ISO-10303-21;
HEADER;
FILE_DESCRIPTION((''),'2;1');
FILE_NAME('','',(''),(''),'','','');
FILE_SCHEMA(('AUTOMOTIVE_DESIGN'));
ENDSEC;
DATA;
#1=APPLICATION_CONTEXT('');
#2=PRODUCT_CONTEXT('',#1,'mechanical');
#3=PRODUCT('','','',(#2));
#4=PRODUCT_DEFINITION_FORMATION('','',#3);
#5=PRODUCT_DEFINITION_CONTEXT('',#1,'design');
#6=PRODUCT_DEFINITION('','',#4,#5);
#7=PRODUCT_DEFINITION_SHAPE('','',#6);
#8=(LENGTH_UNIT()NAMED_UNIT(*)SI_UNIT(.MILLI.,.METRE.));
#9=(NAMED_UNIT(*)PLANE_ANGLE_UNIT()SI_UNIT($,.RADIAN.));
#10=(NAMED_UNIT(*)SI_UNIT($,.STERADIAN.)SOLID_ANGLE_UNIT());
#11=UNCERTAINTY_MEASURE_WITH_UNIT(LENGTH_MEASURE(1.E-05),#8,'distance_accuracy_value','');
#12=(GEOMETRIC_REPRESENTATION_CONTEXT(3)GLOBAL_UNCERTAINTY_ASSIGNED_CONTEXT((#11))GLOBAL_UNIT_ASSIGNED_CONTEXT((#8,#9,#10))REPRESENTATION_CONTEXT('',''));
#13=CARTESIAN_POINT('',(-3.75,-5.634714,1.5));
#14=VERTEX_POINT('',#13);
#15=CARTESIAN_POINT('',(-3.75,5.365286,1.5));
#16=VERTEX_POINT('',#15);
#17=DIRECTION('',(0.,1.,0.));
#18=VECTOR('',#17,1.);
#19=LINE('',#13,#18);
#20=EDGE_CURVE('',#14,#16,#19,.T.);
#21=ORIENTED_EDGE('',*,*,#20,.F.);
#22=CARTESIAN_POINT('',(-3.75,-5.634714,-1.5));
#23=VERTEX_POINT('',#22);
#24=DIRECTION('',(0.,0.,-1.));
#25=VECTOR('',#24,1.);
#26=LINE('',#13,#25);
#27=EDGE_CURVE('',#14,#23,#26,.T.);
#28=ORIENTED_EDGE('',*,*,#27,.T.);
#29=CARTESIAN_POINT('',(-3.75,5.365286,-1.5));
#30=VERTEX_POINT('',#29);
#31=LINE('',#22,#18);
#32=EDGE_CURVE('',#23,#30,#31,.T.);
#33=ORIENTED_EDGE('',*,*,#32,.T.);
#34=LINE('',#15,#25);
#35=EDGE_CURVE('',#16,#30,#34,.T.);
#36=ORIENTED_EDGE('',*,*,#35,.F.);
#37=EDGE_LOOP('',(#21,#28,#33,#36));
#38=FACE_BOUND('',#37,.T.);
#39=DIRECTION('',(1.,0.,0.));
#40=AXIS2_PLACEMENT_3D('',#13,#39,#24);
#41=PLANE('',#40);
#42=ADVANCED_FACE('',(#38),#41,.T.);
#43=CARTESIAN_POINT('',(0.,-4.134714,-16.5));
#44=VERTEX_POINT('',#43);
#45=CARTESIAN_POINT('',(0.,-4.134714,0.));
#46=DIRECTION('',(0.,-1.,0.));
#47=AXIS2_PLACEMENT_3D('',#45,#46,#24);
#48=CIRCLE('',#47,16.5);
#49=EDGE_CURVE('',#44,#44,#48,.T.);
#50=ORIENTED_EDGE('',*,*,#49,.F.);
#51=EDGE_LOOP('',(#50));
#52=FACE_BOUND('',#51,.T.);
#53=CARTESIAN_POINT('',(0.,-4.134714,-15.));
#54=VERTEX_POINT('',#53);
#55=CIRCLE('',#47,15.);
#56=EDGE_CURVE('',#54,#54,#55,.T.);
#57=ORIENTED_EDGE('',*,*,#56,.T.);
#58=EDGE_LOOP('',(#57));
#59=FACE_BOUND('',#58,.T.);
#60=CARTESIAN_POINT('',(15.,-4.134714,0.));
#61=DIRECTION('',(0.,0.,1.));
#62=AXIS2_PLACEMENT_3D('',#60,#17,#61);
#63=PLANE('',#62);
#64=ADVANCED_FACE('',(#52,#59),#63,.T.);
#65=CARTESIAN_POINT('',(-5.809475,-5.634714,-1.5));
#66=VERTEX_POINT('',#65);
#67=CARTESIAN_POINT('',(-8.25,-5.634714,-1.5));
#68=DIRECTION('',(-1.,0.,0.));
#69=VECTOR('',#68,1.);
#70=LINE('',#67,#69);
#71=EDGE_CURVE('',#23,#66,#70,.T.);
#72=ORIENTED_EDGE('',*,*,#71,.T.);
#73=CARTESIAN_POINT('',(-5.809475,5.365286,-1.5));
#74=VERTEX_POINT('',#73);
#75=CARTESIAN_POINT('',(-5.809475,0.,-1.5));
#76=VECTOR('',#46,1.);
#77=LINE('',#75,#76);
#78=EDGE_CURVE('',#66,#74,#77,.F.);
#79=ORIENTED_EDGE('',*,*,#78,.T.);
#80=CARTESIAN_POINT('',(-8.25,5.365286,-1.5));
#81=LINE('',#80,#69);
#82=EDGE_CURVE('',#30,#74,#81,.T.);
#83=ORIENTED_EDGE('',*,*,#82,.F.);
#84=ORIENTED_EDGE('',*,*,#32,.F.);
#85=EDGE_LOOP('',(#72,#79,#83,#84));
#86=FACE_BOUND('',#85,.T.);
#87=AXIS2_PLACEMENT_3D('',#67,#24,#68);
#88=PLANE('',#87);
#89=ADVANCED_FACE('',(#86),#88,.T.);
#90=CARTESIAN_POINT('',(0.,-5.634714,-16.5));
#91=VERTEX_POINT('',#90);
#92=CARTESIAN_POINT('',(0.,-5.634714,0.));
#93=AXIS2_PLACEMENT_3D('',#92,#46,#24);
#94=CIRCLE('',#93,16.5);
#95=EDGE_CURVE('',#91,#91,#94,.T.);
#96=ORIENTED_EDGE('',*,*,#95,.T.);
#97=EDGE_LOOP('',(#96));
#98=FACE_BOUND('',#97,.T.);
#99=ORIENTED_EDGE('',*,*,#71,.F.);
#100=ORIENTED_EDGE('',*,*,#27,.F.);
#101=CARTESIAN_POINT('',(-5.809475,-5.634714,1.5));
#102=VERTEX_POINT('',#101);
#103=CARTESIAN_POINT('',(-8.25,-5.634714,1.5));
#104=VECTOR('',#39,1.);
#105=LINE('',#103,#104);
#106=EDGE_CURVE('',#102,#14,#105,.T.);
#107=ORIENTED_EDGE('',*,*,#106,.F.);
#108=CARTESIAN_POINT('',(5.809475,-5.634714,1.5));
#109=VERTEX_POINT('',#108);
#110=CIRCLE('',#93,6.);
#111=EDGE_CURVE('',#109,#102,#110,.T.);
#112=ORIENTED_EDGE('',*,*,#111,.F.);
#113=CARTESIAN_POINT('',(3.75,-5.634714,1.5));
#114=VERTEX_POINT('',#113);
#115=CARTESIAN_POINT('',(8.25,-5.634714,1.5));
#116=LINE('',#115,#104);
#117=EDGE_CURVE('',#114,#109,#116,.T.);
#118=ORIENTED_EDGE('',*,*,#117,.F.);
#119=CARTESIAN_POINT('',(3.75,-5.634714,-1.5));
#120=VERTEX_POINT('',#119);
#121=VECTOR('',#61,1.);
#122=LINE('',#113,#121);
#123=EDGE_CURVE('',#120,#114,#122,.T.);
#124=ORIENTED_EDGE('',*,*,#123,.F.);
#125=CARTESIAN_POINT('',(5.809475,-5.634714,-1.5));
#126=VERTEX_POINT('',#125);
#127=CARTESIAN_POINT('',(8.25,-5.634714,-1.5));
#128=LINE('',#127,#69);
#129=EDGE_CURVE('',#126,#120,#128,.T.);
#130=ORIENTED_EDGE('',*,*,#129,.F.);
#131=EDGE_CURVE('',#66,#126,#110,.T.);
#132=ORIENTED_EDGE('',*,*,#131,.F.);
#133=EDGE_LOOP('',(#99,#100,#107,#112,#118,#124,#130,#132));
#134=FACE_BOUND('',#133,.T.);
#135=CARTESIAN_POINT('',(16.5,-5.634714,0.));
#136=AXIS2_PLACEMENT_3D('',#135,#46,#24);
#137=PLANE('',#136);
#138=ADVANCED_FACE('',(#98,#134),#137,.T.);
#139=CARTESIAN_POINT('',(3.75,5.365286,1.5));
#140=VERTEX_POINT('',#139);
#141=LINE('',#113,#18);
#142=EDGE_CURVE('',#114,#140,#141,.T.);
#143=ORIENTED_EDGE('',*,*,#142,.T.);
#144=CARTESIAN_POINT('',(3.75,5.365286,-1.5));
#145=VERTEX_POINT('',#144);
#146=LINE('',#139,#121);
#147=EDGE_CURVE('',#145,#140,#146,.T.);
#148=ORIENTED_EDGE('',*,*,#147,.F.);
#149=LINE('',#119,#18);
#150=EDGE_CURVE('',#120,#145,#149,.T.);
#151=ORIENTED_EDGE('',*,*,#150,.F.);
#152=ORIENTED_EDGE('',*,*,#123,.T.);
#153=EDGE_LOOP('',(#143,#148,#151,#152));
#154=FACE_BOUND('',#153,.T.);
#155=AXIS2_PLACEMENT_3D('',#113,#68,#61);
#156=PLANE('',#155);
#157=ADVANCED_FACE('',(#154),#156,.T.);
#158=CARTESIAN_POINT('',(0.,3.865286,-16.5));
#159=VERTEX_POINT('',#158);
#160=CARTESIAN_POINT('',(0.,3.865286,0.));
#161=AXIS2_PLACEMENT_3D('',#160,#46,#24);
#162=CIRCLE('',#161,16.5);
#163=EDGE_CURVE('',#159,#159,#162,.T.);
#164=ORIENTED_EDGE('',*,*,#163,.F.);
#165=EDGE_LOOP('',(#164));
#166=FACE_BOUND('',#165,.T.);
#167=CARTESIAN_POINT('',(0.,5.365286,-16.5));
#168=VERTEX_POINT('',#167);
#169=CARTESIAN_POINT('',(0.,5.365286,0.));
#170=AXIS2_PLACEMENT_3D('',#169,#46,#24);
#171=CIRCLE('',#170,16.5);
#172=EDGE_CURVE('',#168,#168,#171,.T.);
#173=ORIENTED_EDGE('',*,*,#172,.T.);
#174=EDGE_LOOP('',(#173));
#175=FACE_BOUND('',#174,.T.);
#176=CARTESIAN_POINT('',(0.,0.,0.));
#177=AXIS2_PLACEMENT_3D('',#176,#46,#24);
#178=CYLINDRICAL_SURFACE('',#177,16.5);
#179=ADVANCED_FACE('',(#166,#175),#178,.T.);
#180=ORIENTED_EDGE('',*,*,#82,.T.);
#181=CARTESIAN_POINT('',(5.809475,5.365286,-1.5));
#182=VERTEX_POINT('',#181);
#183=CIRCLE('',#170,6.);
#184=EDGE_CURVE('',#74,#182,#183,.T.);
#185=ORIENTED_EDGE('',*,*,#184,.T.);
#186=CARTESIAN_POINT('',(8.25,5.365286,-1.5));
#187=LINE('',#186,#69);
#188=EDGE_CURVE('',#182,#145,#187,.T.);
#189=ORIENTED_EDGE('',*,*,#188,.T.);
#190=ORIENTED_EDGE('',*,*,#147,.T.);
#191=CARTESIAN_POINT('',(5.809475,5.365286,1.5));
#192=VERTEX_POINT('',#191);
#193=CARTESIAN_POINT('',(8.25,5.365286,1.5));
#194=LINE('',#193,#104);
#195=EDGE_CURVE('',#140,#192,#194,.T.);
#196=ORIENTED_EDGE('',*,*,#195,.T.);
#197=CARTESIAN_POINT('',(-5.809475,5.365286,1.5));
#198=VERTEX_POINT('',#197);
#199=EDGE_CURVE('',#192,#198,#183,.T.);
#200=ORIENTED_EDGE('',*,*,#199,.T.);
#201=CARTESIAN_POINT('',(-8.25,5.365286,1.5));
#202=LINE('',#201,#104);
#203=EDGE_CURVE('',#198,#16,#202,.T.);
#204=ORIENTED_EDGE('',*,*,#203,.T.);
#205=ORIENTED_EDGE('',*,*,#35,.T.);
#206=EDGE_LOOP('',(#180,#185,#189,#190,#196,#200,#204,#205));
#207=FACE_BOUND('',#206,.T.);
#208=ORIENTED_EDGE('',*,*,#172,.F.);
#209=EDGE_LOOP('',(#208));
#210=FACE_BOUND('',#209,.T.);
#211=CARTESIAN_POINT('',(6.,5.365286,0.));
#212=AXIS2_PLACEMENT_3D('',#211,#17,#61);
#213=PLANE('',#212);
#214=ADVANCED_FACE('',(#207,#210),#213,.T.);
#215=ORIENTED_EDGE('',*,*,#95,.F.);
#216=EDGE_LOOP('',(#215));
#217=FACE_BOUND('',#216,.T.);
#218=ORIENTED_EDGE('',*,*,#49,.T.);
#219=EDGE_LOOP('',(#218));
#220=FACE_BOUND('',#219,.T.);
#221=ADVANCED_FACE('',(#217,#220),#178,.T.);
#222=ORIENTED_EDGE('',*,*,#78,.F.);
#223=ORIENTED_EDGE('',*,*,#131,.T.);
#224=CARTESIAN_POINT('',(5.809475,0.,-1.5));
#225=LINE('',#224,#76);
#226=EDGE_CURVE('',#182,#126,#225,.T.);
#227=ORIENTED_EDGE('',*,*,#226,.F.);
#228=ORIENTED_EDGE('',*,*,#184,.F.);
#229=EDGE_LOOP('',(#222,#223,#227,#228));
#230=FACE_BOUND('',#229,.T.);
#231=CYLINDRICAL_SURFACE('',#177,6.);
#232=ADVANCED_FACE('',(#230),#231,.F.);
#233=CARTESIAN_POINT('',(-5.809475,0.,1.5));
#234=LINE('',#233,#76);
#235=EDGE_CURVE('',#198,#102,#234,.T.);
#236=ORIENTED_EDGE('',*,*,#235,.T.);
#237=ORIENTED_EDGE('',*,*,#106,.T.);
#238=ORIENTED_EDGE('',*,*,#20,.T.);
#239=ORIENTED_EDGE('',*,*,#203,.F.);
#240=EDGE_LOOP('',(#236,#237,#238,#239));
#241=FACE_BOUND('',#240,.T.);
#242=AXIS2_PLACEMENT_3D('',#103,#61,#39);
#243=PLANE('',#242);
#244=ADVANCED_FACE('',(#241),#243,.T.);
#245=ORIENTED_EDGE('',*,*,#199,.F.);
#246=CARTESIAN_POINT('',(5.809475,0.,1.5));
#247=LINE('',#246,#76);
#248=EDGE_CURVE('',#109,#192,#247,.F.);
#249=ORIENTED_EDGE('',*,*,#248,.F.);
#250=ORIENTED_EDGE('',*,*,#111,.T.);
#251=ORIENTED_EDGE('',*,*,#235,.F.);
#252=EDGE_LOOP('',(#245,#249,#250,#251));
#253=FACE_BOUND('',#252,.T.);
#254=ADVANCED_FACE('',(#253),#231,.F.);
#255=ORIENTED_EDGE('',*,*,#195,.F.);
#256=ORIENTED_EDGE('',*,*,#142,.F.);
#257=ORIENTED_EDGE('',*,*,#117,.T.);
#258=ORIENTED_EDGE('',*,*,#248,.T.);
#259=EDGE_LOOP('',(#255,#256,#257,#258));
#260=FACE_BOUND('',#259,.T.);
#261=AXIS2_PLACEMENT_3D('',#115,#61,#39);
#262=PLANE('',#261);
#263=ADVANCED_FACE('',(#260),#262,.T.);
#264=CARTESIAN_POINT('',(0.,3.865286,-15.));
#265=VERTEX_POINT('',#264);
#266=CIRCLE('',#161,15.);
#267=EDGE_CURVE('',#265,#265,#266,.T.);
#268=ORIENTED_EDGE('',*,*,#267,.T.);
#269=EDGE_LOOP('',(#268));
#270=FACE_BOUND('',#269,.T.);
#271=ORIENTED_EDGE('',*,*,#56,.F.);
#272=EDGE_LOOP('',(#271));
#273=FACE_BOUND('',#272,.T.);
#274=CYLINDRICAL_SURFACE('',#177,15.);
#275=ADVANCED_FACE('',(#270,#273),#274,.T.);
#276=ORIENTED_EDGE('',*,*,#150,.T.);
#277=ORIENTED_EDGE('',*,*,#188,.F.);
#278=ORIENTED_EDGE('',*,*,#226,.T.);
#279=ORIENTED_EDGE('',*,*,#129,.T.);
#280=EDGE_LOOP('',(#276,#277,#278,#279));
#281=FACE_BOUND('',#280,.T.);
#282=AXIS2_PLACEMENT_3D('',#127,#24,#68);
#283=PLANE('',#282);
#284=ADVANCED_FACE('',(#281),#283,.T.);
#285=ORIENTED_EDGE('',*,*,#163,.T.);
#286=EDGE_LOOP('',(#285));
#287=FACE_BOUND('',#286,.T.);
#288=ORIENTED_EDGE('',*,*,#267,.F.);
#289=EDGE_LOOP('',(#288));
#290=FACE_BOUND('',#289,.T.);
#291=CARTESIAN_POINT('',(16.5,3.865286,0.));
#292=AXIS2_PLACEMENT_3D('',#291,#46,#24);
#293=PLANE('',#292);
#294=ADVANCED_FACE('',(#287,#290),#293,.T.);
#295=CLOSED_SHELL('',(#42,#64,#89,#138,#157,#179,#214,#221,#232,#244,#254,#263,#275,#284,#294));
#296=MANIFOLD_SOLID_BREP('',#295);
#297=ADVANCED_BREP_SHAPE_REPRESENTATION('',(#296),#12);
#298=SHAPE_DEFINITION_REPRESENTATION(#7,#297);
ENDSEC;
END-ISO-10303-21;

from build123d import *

# Parameters (mm, degrees)
ESQUISSE6_W        = 4.5
ESQUISSE6_H        = 3
BOSS_EXTRU_1_DEPTH = 11


with BuildPart() as part:
    # Esquisse2 → Révolution1 (revolve)
    with BuildSketch(Plane.XY, mode=Mode.PRIVATE) as r_volution1_sk:
        Polygon((6, 5.365286165), (6, -5.634713835), (16.5, -5.634713835), (16.5, -4.134713835), (15, -4.134713835), (15, 3.865286165), (16.5, 3.865286165), (16.5, 5.365286165), align=None)
    revolve(r_volution1_sk.sketch.rotate(Axis((0, 0, 0), (0, 1, 0)), 90), axis=Axis((0, 0, 0), (0, 1, 0)))

    # Esquisse6 → Boss.-Extru.1 (add)
    with BuildSketch(Plane(origin=(0, 5.365286165, 0), x_dir=(1, 0, 0), z_dir=(0, 1, 0))):
        with Locations((-6, 0)):
            Rectangle(ESQUISSE6_W, ESQUISSE6_H)
        with Locations((6, 0)):
            Rectangle(ESQUISSE6_W, ESQUISSE6_H)
    extrude(amount=-BOSS_EXTRU_1_DEPTH)


solid = part.part
